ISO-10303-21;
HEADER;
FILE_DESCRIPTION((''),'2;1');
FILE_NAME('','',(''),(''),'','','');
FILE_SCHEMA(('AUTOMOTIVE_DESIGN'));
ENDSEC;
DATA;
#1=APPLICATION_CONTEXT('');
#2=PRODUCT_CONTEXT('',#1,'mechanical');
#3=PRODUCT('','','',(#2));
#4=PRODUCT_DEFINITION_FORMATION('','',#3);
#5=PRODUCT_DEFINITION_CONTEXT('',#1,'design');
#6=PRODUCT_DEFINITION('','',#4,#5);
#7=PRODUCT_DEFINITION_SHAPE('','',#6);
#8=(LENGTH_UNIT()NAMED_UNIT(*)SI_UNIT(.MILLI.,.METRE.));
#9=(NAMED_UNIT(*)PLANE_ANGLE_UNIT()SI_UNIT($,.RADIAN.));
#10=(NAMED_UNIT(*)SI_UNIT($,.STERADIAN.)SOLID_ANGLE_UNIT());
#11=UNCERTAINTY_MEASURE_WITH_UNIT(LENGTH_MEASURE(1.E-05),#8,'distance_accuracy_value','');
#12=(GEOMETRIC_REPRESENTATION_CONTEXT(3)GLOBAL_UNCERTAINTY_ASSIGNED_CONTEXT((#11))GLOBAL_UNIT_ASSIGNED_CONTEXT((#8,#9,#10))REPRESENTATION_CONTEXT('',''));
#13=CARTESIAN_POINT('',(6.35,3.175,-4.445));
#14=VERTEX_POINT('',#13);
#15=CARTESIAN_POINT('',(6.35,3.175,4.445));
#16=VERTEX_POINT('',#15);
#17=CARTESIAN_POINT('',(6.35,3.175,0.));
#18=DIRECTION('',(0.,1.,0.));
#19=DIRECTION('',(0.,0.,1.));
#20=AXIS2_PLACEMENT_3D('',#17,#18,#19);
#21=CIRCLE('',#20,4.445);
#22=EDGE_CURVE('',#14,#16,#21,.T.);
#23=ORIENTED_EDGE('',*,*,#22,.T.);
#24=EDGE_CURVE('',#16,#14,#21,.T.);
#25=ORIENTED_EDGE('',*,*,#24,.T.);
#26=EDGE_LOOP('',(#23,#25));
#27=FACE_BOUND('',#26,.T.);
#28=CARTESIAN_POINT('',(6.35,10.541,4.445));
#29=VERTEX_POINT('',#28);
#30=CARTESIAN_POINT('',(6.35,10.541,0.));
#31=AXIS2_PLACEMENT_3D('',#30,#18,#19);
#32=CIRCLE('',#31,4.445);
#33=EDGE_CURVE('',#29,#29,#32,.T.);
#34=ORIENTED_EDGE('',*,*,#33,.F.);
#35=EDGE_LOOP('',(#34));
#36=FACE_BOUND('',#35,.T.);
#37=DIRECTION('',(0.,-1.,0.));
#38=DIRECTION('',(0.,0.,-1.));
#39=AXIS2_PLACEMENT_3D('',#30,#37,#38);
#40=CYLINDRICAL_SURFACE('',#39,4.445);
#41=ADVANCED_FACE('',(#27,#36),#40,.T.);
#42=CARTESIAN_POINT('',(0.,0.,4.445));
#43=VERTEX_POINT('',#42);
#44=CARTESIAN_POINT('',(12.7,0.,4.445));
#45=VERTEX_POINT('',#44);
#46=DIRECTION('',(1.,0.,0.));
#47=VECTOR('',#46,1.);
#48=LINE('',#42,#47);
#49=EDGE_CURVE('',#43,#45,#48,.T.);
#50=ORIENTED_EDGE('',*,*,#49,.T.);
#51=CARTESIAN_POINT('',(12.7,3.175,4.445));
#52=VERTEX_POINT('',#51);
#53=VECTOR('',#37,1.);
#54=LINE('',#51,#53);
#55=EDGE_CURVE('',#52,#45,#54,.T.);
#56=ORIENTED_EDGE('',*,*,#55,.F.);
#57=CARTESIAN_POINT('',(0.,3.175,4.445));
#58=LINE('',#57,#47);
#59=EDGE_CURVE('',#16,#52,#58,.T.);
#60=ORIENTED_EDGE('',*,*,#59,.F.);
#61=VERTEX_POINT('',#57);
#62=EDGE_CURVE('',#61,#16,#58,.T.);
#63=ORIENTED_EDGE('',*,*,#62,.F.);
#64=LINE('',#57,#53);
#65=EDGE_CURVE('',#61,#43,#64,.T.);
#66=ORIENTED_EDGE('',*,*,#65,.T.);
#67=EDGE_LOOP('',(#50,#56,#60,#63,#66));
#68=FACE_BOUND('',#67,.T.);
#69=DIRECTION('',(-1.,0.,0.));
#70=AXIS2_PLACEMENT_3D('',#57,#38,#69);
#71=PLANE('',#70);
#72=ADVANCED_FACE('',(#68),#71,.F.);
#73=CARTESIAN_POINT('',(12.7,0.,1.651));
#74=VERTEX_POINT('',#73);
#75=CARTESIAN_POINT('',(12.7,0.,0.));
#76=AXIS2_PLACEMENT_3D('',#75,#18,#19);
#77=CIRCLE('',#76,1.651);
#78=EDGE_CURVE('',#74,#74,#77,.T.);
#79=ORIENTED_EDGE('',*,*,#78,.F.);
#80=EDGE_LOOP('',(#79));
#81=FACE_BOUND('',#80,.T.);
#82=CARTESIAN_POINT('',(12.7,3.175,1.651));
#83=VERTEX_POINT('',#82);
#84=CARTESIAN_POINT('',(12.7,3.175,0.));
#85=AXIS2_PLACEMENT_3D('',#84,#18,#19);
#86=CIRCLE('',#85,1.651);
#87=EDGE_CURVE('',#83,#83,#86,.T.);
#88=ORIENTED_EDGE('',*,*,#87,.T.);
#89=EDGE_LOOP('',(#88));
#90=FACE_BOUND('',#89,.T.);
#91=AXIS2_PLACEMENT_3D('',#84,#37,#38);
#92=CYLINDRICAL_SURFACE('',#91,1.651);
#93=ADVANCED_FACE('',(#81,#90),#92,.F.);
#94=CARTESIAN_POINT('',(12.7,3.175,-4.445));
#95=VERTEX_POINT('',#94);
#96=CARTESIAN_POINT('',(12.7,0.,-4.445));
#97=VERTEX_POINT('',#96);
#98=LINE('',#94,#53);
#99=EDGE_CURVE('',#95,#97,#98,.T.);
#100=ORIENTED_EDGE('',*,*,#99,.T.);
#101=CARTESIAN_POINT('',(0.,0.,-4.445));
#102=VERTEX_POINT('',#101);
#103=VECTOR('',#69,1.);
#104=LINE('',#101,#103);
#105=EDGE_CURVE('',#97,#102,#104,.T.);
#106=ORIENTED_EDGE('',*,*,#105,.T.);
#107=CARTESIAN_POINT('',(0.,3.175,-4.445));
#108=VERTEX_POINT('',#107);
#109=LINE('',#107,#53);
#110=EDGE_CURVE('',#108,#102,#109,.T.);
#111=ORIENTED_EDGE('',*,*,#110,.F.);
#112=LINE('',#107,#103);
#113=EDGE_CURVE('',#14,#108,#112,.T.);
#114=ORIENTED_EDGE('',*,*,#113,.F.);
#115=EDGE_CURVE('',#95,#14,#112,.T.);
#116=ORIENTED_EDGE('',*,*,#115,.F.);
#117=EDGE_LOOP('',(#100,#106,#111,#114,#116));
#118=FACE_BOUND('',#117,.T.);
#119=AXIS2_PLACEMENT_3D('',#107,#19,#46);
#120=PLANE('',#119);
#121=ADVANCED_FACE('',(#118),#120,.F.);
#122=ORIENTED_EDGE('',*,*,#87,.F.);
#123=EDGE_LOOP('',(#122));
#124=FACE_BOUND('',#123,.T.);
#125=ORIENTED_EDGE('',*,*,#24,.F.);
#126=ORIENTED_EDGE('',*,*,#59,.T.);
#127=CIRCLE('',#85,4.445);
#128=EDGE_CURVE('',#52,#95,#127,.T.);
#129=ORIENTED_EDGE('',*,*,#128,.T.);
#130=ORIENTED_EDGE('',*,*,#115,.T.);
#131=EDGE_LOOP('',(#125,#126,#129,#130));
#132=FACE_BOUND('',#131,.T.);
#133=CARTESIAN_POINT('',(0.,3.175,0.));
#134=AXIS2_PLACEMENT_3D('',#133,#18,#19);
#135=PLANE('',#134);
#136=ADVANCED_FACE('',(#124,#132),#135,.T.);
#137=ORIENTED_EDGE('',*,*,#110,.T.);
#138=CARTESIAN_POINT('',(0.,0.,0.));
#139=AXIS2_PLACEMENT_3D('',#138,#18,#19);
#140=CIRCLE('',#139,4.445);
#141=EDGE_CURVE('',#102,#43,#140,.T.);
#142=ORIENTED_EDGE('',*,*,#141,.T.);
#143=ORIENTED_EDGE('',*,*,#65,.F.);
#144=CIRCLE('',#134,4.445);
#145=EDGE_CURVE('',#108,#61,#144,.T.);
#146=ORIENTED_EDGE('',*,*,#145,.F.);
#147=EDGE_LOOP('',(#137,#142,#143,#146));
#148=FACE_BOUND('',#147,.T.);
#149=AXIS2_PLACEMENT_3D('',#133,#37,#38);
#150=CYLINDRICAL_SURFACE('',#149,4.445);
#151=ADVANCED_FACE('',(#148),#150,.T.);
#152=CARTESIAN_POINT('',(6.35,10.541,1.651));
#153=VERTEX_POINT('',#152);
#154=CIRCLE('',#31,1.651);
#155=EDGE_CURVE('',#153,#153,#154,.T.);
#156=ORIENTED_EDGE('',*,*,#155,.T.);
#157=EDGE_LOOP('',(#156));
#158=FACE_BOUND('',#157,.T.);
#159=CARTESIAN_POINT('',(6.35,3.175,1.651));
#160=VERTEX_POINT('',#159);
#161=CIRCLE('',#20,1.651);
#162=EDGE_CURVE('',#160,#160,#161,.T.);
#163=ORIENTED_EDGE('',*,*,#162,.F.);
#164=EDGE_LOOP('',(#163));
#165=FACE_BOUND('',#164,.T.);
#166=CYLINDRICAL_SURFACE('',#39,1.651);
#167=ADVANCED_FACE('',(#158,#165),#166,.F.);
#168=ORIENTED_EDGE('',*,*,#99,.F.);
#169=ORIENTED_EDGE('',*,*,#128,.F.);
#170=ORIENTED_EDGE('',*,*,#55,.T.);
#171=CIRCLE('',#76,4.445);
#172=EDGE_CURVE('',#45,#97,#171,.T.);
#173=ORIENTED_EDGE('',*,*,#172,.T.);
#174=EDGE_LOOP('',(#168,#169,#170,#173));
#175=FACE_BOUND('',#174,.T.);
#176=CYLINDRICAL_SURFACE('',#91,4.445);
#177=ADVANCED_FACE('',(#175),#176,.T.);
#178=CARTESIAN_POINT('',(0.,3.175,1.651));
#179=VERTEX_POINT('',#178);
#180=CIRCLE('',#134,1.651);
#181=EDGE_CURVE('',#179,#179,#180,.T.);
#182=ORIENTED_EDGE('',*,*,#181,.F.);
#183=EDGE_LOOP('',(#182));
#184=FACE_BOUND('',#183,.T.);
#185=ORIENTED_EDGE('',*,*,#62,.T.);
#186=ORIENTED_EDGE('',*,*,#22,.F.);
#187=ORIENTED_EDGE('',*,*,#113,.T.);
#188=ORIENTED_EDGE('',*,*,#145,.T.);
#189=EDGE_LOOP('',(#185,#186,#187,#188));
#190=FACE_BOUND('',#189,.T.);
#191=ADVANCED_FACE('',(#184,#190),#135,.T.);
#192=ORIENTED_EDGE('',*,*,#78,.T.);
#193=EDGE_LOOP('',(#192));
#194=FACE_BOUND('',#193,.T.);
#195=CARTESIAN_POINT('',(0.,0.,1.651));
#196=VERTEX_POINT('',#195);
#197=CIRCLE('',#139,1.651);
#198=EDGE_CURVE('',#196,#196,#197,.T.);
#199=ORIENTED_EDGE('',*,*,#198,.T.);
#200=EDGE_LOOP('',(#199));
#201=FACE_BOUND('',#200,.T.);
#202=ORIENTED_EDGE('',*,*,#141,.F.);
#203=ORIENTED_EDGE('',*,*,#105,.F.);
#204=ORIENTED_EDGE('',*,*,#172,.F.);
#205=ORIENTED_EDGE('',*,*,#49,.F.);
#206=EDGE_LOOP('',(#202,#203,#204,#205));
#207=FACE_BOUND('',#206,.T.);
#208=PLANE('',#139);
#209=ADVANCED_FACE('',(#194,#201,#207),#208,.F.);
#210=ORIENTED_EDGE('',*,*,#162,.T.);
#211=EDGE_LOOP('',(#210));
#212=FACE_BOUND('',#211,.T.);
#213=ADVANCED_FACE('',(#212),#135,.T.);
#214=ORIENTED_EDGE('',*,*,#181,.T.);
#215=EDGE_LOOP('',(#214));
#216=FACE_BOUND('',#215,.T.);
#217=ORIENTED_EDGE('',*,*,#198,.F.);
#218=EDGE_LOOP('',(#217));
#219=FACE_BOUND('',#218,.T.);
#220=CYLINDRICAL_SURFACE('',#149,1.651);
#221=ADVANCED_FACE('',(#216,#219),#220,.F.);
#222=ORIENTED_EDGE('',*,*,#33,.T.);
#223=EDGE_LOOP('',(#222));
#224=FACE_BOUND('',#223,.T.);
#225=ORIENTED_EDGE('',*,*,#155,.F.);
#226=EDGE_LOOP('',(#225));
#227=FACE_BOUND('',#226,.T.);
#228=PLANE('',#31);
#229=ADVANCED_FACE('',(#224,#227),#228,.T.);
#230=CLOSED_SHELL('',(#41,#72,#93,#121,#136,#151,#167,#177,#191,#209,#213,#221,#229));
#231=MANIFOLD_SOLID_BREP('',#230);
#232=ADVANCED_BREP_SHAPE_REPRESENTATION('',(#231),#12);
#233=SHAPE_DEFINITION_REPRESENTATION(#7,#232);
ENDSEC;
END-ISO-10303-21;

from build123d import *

# Parameters (mm, degrees)
SKETCH1_R           = 1.651
BOSS_EXTRUDE1_DEPTH = 3.175
SKETCH2_R           = 4.445
SKETCH2_R_2         = 1.651
BOSS_EXTRUDE2_DEPTH = 7.366


with BuildPart() as part:
    # Sketch1 → Boss-Extrude1 (new body)
    with BuildSketch(Plane(origin=(0, 0, 0), x_dir=(1, 0, 0), z_dir=(0, 1, 0))):
        with BuildLine():
            Line((0, 4.445), (12.7, 4.445))
            ThreePointArc((12.7, 4.445), (17.145, 0), (12.7, -4.445))
            Line((12.7, -4.445), (0, -4.445))
            ThreePointArc((0, -4.445), (-4.445, 0), (0, 4.445))
        make_face()
        with Locations((12.7, 0)):
            Circle(SKETCH1_R, mode=Mode.SUBTRACT)
        Circle(SKETCH1_R, mode=Mode.SUBTRACT)
    extrude(amount=BOSS_EXTRUDE1_DEPTH)

    # Sketch2 → Boss-Extrude2 (add)
    with BuildSketch(Plane(origin=(0, 3.175, 0), x_dir=(1, 0, 0), z_dir=(0, 1, 0))):
        with Locations((6.35, 0)):
            Circle(SKETCH2_R)
        with Locations((6.35, 0)):
            Circle(SKETCH2_R_2, mode=Mode.SUBTRACT)
    extrude(amount=BOSS_EXTRUDE2_DEPTH)


solid = part.part
